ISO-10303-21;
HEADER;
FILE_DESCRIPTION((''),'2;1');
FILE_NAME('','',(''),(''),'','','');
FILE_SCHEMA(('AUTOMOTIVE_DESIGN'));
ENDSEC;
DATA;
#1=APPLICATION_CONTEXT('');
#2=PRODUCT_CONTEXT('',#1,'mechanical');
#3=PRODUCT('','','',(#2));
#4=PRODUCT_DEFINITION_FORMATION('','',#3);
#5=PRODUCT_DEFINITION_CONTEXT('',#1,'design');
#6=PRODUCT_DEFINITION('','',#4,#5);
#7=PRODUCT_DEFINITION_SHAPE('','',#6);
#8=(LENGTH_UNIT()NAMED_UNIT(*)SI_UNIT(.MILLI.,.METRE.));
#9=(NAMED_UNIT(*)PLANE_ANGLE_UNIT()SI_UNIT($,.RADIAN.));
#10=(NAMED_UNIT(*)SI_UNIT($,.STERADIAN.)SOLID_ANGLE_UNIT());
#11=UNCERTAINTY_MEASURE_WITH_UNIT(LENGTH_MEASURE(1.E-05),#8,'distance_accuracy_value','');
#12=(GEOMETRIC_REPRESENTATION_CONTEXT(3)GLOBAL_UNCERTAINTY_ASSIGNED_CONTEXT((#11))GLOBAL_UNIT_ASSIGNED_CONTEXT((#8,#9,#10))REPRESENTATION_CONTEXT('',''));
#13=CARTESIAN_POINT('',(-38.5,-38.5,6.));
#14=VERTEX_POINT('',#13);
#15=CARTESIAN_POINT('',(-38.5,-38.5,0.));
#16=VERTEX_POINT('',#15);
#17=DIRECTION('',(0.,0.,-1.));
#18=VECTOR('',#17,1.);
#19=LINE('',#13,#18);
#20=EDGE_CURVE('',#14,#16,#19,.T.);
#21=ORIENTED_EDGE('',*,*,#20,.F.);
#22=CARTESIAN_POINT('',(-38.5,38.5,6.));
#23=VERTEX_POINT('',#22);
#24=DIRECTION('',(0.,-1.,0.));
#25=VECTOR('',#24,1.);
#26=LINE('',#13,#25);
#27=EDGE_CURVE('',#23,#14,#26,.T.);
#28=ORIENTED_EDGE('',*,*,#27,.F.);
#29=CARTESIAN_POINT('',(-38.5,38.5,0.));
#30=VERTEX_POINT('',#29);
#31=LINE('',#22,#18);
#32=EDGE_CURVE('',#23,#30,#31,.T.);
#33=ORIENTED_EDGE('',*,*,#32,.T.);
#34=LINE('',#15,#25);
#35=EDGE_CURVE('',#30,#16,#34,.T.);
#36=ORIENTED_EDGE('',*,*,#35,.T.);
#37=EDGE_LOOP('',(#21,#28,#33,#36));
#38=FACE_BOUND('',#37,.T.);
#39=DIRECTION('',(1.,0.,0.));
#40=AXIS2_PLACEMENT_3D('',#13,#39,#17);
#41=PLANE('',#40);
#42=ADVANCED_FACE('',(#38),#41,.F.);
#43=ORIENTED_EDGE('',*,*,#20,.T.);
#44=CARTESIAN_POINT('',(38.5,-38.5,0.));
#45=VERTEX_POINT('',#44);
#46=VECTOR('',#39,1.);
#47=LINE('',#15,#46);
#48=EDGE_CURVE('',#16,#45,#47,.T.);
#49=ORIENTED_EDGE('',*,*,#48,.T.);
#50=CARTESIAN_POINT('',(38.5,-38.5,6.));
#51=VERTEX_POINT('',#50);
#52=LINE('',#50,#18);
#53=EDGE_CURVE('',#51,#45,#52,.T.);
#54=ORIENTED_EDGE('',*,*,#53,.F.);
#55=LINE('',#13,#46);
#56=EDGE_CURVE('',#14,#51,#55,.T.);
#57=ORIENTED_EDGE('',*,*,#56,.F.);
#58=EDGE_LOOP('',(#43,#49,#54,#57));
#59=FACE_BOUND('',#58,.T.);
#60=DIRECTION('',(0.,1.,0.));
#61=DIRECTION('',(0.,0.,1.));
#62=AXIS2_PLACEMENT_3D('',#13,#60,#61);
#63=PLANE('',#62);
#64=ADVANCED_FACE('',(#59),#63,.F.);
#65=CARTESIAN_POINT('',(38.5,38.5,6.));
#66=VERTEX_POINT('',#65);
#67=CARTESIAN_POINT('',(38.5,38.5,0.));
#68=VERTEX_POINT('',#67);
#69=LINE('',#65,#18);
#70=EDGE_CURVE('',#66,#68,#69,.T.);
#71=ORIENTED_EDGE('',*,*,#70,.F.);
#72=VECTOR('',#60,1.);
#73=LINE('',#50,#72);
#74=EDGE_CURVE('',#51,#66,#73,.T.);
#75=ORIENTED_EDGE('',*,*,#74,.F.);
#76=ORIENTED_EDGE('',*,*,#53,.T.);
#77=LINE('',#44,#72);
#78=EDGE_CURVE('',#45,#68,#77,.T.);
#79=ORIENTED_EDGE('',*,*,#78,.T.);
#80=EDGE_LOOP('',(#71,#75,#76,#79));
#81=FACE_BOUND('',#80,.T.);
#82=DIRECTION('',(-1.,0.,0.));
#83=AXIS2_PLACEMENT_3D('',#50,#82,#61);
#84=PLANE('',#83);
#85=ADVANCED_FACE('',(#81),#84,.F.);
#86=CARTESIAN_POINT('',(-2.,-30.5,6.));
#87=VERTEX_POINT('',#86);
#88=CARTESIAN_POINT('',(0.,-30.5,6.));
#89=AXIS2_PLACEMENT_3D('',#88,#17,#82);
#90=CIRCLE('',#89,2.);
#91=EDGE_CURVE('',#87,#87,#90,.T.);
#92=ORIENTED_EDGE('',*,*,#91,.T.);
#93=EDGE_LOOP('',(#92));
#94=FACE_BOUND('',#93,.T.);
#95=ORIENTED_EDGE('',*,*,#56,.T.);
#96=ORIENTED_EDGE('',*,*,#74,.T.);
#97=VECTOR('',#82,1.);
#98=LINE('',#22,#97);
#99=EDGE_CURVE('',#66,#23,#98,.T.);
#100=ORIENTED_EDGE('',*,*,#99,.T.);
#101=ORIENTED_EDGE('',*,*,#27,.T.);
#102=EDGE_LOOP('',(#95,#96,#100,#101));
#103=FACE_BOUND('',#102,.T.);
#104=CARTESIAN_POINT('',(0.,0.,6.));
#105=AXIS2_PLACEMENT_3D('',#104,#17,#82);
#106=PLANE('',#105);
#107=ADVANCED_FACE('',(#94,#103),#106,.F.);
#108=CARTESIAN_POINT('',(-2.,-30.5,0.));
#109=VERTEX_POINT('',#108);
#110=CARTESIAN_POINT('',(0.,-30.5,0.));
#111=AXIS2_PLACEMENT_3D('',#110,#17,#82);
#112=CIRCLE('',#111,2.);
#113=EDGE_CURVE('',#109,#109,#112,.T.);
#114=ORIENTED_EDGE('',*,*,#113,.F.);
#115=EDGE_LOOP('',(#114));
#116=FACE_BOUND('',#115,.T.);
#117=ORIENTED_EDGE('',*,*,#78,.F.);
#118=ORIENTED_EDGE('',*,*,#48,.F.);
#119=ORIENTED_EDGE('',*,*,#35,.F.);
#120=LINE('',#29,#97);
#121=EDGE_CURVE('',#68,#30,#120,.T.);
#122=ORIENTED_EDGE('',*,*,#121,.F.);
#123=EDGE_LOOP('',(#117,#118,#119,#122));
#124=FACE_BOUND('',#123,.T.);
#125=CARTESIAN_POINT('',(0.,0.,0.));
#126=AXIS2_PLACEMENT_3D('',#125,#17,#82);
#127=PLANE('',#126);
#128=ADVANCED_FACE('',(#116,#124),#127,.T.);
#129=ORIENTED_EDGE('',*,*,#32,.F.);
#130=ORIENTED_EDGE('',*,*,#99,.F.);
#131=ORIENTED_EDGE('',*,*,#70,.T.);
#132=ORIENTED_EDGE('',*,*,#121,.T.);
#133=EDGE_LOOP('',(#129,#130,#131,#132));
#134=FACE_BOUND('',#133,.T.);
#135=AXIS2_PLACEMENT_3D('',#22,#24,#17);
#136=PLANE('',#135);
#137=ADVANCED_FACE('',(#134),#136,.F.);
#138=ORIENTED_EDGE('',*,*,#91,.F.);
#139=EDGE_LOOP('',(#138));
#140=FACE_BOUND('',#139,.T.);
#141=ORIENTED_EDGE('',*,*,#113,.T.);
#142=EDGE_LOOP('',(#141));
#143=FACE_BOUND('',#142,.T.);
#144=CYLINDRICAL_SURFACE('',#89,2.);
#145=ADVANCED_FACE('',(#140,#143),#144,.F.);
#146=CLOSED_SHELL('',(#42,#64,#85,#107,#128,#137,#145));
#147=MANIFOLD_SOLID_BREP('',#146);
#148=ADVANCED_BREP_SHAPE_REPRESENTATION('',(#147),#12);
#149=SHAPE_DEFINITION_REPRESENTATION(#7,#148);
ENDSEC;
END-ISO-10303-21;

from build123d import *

# Parameters (mm, degrees)
SKETCH1_W           = 77
SKETCH1_H           = 77
BOSS_EXTRUDE1_DEPTH = 6
SKETCH2_R           = 2
CUT_EXTRUDE1_DEPTH  = 55.776819915


with BuildPart() as part:
    # Sketch1 → Boss-Extrude1 (new body)
    with BuildSketch(Plane.XY):
        Rectangle(SKETCH1_W, SKETCH1_H)
    extrude(amount=BOSS_EXTRUDE1_DEPTH)

    # Sketch2 → Cut-Extrude1 (cut, through all)
    with BuildSketch(Plane(origin=(0, 0, 0), x_dir=(-1, 0, 0), z_dir=(0, 0, -1))):
        with Locations((0, -30.5)):
            Circle(SKETCH2_R)
    extrude(amount=-CUT_EXTRUDE1_DEPTH, mode=Mode.SUBTRACT)


solid = part.part
